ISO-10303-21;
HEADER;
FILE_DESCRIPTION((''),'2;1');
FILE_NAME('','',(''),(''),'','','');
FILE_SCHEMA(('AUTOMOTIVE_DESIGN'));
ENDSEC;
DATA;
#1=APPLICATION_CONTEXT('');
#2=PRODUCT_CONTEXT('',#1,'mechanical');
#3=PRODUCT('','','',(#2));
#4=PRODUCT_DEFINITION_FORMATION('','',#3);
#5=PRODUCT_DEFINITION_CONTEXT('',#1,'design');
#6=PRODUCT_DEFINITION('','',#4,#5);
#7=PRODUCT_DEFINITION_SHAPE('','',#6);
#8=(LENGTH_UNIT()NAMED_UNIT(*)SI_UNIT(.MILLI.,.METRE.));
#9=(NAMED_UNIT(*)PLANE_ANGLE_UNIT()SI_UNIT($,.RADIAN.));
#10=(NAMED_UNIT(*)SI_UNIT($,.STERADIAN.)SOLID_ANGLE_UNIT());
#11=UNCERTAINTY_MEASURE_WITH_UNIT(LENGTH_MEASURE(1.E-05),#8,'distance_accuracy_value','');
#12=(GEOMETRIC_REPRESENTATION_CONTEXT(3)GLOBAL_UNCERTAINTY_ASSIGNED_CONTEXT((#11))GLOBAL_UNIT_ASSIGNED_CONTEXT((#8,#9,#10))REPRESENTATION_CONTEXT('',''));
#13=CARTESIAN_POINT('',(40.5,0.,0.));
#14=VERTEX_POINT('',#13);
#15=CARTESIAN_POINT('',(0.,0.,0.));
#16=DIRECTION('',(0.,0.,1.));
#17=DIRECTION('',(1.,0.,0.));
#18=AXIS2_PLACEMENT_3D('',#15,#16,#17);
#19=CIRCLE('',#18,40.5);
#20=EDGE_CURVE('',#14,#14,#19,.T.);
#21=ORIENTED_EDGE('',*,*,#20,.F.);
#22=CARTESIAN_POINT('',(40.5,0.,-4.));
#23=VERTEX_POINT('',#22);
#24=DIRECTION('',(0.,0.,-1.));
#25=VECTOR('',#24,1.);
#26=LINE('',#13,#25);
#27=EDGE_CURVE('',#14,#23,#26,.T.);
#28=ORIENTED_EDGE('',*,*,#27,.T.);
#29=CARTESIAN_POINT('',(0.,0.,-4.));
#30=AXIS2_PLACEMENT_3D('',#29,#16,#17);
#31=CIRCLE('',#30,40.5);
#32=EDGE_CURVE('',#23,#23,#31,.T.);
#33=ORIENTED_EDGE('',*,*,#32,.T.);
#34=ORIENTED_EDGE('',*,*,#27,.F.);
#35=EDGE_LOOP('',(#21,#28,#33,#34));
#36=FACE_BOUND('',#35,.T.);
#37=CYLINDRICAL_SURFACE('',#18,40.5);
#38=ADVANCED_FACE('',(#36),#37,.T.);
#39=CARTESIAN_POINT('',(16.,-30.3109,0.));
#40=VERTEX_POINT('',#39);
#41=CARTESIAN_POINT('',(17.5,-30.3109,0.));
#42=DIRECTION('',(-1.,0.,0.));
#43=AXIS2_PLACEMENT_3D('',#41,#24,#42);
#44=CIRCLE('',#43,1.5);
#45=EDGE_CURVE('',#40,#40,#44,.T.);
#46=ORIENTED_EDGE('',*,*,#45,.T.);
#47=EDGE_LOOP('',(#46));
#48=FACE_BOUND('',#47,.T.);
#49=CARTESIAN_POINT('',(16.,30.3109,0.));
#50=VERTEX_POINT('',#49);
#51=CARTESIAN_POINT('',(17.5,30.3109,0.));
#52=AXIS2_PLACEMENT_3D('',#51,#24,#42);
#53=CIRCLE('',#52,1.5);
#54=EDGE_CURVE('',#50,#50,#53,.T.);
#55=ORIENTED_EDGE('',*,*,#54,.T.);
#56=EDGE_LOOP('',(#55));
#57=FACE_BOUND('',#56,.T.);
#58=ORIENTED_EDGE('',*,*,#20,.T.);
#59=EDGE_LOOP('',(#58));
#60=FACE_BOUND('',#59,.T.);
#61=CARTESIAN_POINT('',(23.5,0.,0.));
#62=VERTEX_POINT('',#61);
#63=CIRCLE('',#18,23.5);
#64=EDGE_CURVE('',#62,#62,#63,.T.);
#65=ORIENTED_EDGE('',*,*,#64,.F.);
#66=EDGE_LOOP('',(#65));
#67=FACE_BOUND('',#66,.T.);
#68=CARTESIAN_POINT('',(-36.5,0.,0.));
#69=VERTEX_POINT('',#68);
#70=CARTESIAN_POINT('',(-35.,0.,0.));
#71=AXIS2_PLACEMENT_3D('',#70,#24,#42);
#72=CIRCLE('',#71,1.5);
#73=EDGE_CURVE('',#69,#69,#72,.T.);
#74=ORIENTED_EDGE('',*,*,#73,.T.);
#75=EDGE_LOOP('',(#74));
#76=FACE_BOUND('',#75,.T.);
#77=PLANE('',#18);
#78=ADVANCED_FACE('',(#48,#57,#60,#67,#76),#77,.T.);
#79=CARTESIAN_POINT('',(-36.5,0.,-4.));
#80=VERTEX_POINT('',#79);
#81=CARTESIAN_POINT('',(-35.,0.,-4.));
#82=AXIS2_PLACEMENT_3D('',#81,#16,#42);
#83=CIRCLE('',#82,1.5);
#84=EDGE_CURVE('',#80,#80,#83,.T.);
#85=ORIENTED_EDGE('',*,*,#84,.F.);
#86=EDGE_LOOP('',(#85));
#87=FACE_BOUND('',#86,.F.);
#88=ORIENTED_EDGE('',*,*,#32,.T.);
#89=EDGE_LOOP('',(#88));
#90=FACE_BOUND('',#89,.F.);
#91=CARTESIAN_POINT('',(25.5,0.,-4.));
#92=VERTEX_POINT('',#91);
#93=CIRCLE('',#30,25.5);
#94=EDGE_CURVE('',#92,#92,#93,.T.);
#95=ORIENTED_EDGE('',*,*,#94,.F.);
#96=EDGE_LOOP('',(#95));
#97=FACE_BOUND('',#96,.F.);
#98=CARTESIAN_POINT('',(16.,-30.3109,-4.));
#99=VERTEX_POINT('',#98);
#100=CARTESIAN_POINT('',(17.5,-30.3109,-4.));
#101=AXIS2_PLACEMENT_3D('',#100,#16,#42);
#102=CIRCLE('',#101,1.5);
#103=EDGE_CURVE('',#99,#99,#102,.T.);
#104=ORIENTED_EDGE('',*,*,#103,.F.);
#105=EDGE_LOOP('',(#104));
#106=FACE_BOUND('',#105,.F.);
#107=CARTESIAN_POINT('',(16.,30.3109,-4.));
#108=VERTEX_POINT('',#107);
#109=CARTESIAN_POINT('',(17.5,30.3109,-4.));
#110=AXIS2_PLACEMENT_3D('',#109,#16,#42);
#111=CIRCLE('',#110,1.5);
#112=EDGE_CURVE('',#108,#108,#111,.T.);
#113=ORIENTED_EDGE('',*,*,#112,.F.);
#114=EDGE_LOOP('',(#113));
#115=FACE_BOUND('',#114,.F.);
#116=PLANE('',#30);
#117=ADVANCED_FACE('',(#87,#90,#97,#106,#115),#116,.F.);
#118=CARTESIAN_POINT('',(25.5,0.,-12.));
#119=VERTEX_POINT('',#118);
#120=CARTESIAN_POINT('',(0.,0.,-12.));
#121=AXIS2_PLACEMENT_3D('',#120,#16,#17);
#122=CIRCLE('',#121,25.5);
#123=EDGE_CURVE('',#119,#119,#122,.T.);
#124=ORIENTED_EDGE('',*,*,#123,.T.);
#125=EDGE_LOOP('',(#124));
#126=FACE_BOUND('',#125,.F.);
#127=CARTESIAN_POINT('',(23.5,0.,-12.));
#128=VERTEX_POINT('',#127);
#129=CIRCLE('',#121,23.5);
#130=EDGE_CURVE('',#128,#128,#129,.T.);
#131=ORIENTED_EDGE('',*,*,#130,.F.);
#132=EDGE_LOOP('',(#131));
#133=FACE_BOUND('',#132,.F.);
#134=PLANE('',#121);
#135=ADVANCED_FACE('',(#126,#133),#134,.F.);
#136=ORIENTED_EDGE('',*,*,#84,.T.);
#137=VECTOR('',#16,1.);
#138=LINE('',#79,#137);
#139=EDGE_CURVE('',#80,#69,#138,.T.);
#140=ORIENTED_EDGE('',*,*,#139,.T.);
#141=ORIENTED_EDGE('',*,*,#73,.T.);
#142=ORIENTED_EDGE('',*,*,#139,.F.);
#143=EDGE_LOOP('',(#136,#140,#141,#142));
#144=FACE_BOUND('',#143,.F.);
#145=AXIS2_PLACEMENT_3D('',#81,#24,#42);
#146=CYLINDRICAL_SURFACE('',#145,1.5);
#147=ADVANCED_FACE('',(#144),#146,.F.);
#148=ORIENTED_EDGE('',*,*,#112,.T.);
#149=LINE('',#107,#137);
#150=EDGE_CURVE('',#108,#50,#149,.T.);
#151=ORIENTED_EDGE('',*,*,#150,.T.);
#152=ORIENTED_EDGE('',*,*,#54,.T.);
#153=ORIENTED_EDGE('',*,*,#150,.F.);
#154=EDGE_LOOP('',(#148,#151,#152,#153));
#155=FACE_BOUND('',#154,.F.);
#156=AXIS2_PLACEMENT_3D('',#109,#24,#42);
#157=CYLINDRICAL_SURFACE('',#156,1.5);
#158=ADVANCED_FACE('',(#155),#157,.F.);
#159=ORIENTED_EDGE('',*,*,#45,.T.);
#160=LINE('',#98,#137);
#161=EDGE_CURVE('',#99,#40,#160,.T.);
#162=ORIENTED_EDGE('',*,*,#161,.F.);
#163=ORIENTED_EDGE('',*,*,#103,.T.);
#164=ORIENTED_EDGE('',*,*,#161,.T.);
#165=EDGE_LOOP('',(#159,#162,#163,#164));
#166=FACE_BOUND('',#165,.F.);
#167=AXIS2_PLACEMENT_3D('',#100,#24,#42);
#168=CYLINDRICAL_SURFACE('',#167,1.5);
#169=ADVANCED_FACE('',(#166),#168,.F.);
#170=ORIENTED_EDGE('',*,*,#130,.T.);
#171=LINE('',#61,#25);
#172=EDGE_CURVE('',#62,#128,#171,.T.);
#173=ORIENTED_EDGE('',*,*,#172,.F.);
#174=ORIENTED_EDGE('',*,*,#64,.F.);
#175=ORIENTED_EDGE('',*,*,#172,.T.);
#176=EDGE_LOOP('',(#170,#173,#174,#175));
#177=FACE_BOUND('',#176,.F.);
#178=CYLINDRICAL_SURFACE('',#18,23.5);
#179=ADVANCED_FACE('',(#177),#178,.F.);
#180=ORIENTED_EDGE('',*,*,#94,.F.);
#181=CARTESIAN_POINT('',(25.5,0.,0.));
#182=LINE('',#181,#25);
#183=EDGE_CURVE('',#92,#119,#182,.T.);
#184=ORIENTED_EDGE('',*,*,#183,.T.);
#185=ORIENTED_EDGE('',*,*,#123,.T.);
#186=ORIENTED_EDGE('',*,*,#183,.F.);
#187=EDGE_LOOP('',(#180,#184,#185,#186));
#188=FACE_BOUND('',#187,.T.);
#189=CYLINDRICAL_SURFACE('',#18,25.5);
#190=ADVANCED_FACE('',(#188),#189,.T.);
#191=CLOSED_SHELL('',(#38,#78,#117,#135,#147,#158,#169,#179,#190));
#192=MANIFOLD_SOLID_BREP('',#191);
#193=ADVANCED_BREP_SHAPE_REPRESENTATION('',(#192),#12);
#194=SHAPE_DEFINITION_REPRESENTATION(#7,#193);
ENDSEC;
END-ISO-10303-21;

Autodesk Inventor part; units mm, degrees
ref_plane "YZ Plane" through (0, 0, 0) normal (1, 0, 0) x (0, 1, 0)
ref_plane "XZ Plane" through (0, 0, 0) normal (0, 1, 0) x (-1, 0, 0)
ref_plane "XY Plane" through (0, 0, 0) normal (0, 0, 1) x (1, 0, 0)
sketch "Sketch1" plane through (0, 0, 0) normal (0, 0, 1) x (1, 0, 0)
  circle A0 centre (0, 0) radius 23.5
  circle A1 centre (0, 0) radius 25.5
  circle A2 centre (0, 0) radius 40.5
  dimension "d0" = 47
  dimension "d15" = 81
  dimension "d17" = 51
extrude "Extrusion1" add sketch "Sketch1" against normal blind 4 contours A2
extrude "Extrusion2" add sketch "Sketch1" against normal blind 12 contours A1
sketch "Sketch2" plane through (0, 0, -4) normal (0, 0, -1) x (-1, 0, 0)
  circle A0 centre (0, 0) radius 25.5 projected
  circle A1 centre (0, 0) radius 40.5 projected
  circle A2 centre (35, 0) radius 1.5
  circle A3 centre (-17.5, 30.3109) radius 1.5
  circle A4 centre (-17.5, -30.3109) radius 1.5
  circle A5 centre (0, 0) radius 35
  dimension "d11" = 360
  dimension "d18" = 3
  dimension "d19" = 35
  dimension "d21" = 70
extrude "Extrusion3" cut sketch "Sketch2" against normal blind 12 contours A2 A5 | A5 A2 | A5 A3 | A3 A5 | A5 A4 | A4 A5
equation "\"d0\" = a"
equation "\"d18\" = e"
equation "\"d9\" = e"
equation "\"a\" = 47"
equation "\"e\" = 3"
properties part number "ACO.RODA25-01"
